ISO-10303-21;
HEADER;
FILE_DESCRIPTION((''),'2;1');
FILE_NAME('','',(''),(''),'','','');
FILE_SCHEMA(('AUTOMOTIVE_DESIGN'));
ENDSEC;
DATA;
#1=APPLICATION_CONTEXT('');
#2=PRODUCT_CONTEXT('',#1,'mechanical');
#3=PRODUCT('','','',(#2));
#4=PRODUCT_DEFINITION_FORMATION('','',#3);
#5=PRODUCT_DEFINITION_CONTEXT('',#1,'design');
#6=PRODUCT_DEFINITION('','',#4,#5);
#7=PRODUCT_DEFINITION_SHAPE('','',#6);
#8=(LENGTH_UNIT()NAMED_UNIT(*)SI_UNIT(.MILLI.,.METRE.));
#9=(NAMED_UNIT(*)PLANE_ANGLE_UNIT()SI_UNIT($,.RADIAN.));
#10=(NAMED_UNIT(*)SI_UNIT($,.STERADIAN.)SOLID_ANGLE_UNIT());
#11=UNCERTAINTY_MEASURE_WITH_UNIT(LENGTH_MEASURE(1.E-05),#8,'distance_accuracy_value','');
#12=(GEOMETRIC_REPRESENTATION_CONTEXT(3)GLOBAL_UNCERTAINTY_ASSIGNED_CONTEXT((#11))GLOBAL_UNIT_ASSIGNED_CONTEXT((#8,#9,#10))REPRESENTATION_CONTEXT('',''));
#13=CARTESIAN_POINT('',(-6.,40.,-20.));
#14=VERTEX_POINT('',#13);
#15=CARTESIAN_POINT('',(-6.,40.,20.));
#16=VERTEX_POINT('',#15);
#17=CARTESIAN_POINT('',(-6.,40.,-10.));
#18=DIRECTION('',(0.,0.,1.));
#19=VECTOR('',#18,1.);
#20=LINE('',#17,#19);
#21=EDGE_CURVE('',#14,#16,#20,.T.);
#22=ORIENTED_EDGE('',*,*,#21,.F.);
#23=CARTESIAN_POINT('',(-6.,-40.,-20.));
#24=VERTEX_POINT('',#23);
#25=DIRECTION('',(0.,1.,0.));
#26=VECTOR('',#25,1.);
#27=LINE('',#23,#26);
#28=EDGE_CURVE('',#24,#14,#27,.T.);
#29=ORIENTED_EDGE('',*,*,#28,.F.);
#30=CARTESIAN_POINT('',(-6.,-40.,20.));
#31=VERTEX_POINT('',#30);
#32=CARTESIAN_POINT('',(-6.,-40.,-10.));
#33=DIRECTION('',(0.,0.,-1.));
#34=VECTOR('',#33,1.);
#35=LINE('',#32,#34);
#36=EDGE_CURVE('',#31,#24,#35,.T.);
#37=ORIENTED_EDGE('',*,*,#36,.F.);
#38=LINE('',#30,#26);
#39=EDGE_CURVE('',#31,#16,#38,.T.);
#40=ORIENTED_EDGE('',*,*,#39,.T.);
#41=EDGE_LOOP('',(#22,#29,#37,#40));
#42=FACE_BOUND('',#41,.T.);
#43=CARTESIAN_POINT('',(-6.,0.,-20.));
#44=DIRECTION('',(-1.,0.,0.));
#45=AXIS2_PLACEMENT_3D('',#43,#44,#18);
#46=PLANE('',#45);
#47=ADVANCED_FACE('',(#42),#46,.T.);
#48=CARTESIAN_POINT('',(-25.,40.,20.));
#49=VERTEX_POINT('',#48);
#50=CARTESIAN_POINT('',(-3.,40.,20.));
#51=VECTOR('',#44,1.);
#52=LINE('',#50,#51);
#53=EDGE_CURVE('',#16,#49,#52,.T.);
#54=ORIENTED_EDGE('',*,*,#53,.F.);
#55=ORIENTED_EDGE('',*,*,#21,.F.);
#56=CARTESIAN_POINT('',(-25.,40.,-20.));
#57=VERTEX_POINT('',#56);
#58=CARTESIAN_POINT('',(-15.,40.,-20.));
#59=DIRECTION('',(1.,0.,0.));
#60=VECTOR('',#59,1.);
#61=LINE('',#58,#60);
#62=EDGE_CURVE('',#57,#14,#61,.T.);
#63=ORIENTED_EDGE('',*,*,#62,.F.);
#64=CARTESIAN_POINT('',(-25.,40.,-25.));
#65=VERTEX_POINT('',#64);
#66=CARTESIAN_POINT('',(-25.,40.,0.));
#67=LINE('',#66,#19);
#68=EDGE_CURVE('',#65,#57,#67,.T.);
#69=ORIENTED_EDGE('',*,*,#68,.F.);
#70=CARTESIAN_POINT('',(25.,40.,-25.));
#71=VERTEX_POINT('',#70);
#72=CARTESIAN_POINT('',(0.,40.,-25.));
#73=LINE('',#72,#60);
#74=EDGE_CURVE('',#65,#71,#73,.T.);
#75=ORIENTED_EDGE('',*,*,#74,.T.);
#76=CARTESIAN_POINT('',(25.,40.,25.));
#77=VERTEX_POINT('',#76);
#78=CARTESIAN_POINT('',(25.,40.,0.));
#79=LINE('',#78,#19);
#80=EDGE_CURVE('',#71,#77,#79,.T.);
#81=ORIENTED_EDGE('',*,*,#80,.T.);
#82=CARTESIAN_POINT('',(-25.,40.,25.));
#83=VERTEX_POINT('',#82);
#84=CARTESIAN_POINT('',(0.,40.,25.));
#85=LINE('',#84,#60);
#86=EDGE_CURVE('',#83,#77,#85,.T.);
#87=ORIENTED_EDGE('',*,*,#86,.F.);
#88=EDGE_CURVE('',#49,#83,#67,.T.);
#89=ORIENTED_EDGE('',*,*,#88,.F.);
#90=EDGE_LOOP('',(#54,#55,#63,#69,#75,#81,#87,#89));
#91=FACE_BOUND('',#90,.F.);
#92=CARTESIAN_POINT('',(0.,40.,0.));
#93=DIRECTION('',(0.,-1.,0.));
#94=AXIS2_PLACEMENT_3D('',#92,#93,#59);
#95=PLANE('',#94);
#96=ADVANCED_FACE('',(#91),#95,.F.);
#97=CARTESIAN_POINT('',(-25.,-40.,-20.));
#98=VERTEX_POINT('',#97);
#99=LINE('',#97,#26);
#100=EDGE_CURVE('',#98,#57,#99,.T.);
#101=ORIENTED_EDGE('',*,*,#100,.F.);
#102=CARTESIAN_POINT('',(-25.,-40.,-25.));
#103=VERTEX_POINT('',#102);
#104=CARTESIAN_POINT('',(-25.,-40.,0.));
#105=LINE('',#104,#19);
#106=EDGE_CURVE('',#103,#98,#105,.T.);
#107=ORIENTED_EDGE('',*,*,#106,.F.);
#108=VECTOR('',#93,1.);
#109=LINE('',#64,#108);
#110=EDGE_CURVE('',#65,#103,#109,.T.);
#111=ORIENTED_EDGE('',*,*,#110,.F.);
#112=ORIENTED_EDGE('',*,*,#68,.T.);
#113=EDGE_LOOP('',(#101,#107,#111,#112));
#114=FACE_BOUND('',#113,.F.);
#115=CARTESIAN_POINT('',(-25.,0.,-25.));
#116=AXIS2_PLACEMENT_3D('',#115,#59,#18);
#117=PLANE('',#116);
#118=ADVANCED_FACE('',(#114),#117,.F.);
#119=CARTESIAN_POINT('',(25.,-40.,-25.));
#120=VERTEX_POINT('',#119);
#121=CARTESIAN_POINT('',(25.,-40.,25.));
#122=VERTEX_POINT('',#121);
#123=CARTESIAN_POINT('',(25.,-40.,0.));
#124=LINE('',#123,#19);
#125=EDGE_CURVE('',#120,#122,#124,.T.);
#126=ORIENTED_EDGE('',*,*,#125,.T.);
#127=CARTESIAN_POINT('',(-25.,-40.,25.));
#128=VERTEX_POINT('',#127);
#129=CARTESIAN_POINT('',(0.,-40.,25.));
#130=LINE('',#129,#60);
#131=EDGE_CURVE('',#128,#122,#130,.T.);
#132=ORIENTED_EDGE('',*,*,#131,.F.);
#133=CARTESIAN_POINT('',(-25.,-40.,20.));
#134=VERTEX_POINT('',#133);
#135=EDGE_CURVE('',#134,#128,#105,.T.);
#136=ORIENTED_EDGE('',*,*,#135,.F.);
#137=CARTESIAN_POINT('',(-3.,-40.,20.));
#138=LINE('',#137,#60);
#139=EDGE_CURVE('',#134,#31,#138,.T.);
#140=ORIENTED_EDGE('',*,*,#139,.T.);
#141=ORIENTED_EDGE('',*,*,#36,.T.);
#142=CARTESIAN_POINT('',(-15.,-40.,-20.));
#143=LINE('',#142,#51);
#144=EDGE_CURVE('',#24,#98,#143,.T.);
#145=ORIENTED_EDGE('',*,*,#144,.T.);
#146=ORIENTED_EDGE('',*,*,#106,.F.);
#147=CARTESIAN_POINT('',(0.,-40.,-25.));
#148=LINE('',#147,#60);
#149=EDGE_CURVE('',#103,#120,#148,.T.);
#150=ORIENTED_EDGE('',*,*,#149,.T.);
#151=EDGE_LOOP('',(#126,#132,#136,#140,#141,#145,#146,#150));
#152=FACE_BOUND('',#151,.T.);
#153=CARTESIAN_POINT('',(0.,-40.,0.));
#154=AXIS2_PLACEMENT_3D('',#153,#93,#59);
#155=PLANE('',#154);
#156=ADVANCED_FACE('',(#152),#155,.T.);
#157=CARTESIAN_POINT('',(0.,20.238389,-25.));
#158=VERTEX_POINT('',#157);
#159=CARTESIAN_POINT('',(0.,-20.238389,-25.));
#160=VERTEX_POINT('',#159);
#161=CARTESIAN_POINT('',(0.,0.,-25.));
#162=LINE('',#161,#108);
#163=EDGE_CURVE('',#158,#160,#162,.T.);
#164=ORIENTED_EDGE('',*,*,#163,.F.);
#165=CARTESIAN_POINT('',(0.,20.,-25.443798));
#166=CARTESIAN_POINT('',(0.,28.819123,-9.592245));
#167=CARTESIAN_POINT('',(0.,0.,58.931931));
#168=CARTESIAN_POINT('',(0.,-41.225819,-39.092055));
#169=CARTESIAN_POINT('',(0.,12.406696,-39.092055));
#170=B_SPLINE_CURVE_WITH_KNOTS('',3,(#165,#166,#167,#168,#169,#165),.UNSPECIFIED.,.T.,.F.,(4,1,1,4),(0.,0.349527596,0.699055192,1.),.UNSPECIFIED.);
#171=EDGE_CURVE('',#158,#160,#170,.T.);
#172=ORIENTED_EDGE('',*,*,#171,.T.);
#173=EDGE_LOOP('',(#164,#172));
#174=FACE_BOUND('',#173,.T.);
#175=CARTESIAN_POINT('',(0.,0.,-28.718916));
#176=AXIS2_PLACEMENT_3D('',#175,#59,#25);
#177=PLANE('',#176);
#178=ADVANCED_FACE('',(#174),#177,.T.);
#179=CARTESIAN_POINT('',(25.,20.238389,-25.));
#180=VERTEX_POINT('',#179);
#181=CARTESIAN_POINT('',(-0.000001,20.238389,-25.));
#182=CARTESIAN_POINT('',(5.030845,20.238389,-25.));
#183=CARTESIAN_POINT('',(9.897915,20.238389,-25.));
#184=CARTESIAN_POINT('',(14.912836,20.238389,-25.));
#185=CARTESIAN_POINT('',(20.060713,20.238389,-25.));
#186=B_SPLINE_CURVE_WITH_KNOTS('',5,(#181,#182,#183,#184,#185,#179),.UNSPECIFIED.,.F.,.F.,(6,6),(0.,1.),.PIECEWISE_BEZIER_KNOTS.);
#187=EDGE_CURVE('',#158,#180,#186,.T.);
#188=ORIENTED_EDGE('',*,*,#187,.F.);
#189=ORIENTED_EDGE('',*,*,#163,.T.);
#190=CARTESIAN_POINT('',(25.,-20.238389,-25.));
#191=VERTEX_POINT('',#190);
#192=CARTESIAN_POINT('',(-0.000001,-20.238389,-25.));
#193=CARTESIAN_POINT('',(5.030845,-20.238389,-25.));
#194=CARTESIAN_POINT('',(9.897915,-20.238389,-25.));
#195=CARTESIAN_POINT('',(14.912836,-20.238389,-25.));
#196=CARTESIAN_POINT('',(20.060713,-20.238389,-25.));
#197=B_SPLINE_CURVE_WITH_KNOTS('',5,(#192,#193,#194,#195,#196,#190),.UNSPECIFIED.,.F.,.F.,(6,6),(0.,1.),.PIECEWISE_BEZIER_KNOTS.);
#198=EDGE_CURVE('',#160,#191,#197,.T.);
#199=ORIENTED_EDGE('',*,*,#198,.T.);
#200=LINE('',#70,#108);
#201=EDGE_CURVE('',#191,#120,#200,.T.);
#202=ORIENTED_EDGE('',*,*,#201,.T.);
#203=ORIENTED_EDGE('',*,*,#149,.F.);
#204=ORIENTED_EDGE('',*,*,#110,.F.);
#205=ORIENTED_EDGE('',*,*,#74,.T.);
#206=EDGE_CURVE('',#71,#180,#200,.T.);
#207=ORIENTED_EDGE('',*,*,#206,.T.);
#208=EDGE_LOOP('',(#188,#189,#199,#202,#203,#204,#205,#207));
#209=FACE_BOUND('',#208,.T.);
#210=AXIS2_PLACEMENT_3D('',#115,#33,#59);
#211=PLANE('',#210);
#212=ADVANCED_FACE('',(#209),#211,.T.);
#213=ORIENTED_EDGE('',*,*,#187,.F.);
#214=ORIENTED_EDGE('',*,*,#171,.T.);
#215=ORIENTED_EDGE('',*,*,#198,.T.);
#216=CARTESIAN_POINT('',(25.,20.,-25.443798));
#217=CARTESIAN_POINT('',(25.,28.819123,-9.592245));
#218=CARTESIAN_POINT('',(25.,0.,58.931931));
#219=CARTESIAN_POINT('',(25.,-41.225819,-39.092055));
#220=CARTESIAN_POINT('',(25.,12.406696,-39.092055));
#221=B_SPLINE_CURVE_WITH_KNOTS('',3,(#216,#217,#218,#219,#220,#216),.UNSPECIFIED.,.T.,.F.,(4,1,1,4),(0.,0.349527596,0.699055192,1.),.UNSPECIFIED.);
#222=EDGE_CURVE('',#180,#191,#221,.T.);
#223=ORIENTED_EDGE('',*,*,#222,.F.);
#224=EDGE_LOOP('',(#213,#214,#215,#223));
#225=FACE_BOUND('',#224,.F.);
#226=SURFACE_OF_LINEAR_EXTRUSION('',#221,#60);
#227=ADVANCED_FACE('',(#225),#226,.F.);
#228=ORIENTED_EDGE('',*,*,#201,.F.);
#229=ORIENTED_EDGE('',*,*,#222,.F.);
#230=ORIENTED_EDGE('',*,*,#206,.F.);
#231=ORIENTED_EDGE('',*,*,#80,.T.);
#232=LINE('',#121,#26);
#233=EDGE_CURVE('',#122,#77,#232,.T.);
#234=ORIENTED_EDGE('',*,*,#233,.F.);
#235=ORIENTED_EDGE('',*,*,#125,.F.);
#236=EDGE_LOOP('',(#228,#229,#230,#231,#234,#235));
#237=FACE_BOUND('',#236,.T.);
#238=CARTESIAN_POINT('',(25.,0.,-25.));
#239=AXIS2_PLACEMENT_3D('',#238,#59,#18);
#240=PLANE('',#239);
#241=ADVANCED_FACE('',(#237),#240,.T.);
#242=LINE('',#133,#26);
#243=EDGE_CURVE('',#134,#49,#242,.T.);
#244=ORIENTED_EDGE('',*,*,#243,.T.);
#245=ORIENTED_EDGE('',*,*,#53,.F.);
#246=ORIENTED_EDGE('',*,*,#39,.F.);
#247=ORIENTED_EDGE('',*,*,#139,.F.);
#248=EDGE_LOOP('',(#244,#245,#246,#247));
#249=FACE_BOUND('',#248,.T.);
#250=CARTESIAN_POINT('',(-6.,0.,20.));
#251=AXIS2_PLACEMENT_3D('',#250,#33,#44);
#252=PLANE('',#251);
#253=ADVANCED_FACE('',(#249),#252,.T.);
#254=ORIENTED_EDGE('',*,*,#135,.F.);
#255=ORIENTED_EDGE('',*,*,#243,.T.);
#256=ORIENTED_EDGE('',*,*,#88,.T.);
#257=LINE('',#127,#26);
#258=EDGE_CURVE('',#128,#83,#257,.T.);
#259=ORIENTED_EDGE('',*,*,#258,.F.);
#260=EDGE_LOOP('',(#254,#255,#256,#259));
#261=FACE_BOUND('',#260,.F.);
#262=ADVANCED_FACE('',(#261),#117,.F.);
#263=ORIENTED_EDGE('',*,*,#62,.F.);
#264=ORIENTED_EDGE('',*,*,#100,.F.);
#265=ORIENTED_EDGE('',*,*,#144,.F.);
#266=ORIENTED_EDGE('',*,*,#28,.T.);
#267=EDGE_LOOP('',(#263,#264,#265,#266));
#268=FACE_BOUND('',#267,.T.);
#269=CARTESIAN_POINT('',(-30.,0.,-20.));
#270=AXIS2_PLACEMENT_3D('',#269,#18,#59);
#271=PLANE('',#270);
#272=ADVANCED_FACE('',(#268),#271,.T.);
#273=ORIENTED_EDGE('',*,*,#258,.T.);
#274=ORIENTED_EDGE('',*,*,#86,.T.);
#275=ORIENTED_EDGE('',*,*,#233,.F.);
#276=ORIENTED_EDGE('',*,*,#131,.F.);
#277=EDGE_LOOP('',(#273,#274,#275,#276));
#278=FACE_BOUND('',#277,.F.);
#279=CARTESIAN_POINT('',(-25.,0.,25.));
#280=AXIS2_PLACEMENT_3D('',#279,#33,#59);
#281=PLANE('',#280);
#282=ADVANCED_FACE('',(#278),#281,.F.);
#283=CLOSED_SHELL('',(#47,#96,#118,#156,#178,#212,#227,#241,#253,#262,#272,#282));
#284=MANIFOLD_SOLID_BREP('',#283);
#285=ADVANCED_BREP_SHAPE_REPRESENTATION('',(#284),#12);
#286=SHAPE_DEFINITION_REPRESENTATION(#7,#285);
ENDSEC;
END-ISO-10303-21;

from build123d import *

# Parameters (mm, degrees)
F0_W     = 50
F0_H     = 50
F1_DEPTH = 40
F4_DEPTH = 25
F6_DEPTH = 40.0010001
F7_DEPTH = 40.0010001


with BuildPart() as f1:
    # F0 (on Front) → F1 (new body, symmetric)
    with BuildSketch(Plane.XZ):
        Rectangle(F0_W, F0_H)
    extrude(amount=F1_DEPTH, both=True)

    # F3 (on offset) → F4 (cut)
    with BuildSketch(Plane.YZ.offset(25)):
        with BuildLine():
            Line((20, -25.4437979311), (0, -25.4437979311))
            Line((0, -25.4437979311), (-20, -25.4437979311))
            add(Edge.make_bspline(
                [(20, -25.4437979311), (12.4066961802, -39.0920548923), (-12.4066961802, -39.0920548923), (-20, -25.4437979311)],
                knots=[0.6990551923, 0.6990551923, 0.6990551923, 0.6990551923, 1, 1, 1, 1], degree=3))
        make_face()
        with BuildLine():
            Line((-20, -25.4437979311), (0, -25.4437979311))
            Line((0, -25.4437979311), (20, -25.4437979311))
            add(Edge.make_bspline(
                [(-20, -25.4437979311), (-28.819122854, -9.5922453342), (0, 58.9319309233), (28.819122854, -9.5922453342), (20, -25.4437979311)],
                knots=[0, 0, 0, 0, 0.3495275962, 0.6990551923, 0.6990551923, 0.6990551923, 0.6990551923], degree=3))
        make_face()
    extrude(amount=-F4_DEPTH, mode=Mode.SUBTRACT)

    # F5 (on Front) → F6 (cut, through all)
    with BuildSketch(Plane.XZ):
        Polygon((-6, 20), (-30, 20), (-30, -20), (-6, -20), (-6, 0), align=None)
    extrude(amount=-F6_DEPTH, mode=Mode.SUBTRACT)

    # F5 (on Front) → F7 (cut, through all)
    with BuildSketch(Plane.XZ):
        Polygon((-6, 20), (-30, 20), (-30, -20), (-6, -20), (-6, 0), align=None)
    extrude(amount=F7_DEPTH, mode=Mode.SUBTRACT)


solid = f1.part
